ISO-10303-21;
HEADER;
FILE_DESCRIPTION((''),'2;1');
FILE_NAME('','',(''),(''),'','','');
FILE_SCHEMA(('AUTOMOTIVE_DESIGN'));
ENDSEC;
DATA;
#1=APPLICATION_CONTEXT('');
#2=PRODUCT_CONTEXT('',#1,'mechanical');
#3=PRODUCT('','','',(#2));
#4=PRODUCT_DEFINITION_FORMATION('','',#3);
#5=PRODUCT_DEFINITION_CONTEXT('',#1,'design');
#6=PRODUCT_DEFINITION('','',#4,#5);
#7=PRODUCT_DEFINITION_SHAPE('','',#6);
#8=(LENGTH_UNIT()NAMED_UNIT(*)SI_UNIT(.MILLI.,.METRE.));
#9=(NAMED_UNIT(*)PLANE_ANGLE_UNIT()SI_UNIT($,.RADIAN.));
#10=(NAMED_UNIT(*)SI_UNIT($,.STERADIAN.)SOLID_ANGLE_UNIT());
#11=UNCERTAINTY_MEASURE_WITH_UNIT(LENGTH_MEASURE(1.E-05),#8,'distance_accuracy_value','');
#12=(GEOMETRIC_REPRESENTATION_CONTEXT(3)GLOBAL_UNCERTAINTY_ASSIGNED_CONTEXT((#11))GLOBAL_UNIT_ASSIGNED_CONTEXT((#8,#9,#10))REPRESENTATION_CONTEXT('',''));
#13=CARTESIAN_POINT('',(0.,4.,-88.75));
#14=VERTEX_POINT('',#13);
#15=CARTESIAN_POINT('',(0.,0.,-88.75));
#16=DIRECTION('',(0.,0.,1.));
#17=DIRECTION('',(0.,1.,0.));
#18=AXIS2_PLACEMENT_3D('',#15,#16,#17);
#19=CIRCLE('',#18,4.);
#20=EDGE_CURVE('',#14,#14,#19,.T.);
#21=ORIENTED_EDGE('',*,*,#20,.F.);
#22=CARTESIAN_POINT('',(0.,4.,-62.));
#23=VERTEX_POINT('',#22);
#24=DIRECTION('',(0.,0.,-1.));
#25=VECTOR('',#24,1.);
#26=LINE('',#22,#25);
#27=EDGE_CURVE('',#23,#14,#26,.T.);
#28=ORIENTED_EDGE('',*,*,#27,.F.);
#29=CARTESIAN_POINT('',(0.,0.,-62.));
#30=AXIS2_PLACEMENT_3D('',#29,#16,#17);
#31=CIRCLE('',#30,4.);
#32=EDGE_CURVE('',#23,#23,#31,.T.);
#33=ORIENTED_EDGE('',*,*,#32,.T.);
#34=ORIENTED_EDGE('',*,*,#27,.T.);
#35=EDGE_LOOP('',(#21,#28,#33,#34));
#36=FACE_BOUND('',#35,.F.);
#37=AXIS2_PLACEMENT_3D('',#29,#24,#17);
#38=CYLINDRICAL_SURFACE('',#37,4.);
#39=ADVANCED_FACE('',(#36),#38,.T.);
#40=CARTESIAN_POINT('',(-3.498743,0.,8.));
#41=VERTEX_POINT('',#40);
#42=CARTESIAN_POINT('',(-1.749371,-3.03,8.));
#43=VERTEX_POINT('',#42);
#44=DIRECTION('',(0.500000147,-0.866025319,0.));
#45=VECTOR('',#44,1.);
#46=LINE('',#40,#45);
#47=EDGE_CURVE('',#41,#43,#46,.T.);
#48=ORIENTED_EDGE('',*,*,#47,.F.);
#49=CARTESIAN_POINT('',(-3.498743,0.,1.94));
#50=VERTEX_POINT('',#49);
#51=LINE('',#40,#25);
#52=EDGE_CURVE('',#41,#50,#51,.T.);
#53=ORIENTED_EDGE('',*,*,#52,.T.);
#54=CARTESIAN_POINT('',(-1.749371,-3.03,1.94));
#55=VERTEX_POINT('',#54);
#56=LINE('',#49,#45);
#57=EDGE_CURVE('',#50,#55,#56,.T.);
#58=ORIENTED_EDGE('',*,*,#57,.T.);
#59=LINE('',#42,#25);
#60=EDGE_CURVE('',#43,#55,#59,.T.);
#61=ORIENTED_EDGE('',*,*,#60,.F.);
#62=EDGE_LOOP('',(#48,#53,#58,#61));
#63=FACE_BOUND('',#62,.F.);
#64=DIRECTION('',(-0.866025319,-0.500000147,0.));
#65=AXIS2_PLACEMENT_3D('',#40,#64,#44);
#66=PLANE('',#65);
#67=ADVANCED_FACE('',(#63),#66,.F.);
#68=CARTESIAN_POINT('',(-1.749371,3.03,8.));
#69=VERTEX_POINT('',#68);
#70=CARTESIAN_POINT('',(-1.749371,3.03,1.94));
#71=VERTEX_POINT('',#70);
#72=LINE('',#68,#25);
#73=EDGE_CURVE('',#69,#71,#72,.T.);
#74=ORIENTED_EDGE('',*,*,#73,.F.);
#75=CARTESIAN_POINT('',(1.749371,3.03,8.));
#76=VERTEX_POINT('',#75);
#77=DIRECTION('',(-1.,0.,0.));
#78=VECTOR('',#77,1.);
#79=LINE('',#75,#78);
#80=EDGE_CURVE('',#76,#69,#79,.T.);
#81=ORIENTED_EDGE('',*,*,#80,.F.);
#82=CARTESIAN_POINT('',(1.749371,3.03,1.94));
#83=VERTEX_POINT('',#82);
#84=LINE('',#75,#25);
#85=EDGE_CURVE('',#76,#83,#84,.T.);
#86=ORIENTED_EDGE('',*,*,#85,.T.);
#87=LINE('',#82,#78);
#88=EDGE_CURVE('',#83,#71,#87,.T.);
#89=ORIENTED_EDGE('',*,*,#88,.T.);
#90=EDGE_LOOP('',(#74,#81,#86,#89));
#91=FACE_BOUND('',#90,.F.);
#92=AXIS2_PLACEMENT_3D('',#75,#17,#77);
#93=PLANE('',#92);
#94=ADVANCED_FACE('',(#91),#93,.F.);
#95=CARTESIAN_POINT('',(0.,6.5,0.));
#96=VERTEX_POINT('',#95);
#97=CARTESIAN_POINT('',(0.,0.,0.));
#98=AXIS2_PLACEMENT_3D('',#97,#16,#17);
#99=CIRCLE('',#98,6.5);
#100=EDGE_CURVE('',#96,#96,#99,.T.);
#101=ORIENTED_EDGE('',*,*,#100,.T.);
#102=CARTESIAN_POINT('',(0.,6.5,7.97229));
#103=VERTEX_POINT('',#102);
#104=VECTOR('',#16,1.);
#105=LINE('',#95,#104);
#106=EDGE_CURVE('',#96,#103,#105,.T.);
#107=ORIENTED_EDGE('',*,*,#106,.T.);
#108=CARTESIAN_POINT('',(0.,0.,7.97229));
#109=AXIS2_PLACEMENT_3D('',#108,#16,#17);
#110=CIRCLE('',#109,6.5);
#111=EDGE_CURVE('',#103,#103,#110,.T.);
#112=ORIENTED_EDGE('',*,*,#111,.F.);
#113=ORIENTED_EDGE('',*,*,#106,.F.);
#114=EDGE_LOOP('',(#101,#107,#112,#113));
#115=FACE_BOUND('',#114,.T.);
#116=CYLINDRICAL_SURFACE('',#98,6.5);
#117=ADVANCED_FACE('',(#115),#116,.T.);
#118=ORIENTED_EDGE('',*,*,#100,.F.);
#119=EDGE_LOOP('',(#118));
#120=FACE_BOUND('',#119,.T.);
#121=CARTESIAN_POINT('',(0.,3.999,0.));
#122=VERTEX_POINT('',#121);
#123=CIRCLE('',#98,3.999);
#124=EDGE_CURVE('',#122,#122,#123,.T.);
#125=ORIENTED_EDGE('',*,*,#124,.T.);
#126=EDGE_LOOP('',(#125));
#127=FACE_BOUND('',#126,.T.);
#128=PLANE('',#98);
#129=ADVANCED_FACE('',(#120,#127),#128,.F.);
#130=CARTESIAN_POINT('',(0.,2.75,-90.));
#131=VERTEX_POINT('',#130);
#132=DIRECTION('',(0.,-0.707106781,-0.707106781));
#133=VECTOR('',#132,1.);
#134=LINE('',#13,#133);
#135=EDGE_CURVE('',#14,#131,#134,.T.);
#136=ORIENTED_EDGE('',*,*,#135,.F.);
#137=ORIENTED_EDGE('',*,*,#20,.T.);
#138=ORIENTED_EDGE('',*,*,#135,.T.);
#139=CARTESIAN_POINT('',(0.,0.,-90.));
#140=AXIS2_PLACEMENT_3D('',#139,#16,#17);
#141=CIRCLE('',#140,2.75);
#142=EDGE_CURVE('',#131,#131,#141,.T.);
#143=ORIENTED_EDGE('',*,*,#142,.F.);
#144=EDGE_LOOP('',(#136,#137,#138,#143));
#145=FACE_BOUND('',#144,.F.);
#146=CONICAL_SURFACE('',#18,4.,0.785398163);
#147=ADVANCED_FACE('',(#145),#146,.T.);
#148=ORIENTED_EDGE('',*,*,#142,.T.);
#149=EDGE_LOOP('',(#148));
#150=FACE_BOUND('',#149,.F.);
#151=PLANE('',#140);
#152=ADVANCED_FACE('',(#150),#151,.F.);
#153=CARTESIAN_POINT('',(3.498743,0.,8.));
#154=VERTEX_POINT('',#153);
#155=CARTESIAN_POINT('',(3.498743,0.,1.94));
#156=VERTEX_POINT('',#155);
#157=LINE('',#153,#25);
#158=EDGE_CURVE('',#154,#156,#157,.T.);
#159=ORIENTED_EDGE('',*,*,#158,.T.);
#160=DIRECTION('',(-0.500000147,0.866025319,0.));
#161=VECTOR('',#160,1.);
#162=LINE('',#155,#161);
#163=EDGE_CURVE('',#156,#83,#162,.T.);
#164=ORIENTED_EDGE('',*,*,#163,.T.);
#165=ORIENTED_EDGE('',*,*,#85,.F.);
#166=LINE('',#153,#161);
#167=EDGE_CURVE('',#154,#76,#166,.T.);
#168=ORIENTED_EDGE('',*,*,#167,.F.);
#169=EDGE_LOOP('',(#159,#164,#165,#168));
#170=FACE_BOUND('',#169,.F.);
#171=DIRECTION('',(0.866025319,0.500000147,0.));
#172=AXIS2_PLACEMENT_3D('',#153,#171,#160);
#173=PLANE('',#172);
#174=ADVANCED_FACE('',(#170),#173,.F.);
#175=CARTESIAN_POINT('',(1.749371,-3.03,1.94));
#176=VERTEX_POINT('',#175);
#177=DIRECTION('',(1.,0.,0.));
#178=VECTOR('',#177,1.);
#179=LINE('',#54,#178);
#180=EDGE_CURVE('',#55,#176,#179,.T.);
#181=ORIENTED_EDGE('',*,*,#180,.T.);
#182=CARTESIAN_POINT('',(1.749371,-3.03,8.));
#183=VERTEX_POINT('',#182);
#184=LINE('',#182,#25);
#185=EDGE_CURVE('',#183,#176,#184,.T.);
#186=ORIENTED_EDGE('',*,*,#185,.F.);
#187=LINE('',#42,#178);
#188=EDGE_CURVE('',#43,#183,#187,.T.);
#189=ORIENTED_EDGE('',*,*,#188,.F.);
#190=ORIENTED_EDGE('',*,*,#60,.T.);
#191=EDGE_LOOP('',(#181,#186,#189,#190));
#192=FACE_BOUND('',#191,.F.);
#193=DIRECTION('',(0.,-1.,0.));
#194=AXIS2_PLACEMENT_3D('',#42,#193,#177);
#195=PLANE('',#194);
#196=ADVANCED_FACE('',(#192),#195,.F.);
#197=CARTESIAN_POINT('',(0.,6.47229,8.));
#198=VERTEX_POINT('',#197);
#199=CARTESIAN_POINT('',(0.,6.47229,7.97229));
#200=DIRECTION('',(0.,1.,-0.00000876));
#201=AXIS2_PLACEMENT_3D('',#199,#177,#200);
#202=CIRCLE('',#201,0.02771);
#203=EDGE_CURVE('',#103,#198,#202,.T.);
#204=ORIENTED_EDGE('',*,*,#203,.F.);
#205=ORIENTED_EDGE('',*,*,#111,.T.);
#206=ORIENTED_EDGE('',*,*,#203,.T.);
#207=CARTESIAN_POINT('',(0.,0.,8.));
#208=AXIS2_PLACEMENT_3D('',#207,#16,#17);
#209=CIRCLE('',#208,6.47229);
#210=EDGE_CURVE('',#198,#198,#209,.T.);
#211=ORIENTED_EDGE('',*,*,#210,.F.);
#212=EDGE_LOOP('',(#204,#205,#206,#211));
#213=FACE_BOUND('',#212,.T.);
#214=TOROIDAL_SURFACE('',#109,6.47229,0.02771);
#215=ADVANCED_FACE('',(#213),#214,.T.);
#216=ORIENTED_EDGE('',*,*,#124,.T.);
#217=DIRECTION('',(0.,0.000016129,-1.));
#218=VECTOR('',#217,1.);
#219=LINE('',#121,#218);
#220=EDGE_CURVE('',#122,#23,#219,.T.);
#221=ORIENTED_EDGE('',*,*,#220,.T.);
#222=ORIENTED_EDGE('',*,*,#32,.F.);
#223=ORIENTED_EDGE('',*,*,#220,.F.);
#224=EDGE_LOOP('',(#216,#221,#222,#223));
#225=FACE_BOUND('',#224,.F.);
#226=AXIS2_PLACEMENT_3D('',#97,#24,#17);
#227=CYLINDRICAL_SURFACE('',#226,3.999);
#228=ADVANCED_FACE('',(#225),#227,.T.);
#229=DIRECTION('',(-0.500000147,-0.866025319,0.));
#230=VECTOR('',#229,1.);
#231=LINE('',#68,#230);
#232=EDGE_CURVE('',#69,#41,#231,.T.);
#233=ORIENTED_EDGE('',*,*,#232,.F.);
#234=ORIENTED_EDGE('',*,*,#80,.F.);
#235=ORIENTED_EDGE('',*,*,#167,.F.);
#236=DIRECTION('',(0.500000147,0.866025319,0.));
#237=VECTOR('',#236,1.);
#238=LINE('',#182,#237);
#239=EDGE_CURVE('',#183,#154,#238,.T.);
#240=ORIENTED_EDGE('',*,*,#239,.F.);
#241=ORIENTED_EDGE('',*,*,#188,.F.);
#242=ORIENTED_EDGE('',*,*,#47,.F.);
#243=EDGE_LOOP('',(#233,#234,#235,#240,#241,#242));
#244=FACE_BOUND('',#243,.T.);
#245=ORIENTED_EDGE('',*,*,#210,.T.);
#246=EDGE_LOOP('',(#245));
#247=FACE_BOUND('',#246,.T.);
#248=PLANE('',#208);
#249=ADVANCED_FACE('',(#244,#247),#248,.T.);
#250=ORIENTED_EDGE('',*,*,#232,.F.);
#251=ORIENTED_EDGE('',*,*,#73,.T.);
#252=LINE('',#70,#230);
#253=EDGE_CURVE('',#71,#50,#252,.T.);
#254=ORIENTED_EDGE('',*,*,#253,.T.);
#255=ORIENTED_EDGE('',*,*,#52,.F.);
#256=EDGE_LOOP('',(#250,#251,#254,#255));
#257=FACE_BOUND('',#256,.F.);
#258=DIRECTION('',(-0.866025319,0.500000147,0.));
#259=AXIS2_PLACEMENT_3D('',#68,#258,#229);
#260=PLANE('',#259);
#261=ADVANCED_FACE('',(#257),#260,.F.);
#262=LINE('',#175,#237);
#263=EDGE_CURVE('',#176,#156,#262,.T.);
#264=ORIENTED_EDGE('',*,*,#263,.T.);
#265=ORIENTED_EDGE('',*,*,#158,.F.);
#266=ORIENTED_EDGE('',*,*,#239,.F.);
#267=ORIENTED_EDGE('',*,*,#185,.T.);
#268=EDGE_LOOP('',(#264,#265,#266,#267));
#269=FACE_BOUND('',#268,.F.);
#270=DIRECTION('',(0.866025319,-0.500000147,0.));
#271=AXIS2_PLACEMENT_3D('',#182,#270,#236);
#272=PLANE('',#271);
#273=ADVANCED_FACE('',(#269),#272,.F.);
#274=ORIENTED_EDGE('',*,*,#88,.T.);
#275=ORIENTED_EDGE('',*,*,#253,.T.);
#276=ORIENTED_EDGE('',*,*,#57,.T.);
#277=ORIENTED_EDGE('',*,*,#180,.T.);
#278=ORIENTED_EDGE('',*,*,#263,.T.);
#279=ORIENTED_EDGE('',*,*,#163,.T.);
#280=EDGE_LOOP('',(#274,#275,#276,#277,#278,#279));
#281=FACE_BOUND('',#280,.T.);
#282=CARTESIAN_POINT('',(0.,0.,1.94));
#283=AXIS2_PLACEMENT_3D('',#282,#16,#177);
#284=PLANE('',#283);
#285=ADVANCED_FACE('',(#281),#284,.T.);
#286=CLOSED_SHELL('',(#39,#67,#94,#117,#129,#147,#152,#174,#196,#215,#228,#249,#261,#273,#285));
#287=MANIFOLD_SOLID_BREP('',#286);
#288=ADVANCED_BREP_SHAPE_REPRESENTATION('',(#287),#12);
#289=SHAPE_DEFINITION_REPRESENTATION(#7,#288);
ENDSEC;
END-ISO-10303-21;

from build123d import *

# Parameters (mm, degrees)
POCKET_DEPTH = 6.06


with BuildPart() as part:
    # Sketch → Revolve (revolve)
    with BuildSketch(Plane.YZ):
        with BuildLine():
            Line((3.999, 0), (6.5, 0))
            Line((6.5, 0), (6.5, 7.97229))
            ThreePointArc((6.5, 7.97229), (6.491884, 7.991884), (6.47229, 8))
            Line((6.47229, 8), (0, 8))
            Line((0, -90), (0, 8))
            Line((2.75, -90), (0, -90))
            Line((4, -88.75), (2.75, -90))
            Line((4, -62), (4, -88.75))
            Line((3.999, 0), (4, -62))
        make_face()
    revolve(axis=Axis((0, 0, 0), (0, 0, 1)))

    # Sketch001 → Pocket (cut)
    with BuildSketch(Plane.XY.offset(8)):
        Polygon((3.498743, 0), (1.749371, 3.03), (-1.749371, 3.03), (-3.498743, 0), (-1.749371, -3.03), (1.749371, -3.03), align=None)
    extrude(amount=-POCKET_DEPTH, mode=Mode.SUBTRACT)


solid = part.part
